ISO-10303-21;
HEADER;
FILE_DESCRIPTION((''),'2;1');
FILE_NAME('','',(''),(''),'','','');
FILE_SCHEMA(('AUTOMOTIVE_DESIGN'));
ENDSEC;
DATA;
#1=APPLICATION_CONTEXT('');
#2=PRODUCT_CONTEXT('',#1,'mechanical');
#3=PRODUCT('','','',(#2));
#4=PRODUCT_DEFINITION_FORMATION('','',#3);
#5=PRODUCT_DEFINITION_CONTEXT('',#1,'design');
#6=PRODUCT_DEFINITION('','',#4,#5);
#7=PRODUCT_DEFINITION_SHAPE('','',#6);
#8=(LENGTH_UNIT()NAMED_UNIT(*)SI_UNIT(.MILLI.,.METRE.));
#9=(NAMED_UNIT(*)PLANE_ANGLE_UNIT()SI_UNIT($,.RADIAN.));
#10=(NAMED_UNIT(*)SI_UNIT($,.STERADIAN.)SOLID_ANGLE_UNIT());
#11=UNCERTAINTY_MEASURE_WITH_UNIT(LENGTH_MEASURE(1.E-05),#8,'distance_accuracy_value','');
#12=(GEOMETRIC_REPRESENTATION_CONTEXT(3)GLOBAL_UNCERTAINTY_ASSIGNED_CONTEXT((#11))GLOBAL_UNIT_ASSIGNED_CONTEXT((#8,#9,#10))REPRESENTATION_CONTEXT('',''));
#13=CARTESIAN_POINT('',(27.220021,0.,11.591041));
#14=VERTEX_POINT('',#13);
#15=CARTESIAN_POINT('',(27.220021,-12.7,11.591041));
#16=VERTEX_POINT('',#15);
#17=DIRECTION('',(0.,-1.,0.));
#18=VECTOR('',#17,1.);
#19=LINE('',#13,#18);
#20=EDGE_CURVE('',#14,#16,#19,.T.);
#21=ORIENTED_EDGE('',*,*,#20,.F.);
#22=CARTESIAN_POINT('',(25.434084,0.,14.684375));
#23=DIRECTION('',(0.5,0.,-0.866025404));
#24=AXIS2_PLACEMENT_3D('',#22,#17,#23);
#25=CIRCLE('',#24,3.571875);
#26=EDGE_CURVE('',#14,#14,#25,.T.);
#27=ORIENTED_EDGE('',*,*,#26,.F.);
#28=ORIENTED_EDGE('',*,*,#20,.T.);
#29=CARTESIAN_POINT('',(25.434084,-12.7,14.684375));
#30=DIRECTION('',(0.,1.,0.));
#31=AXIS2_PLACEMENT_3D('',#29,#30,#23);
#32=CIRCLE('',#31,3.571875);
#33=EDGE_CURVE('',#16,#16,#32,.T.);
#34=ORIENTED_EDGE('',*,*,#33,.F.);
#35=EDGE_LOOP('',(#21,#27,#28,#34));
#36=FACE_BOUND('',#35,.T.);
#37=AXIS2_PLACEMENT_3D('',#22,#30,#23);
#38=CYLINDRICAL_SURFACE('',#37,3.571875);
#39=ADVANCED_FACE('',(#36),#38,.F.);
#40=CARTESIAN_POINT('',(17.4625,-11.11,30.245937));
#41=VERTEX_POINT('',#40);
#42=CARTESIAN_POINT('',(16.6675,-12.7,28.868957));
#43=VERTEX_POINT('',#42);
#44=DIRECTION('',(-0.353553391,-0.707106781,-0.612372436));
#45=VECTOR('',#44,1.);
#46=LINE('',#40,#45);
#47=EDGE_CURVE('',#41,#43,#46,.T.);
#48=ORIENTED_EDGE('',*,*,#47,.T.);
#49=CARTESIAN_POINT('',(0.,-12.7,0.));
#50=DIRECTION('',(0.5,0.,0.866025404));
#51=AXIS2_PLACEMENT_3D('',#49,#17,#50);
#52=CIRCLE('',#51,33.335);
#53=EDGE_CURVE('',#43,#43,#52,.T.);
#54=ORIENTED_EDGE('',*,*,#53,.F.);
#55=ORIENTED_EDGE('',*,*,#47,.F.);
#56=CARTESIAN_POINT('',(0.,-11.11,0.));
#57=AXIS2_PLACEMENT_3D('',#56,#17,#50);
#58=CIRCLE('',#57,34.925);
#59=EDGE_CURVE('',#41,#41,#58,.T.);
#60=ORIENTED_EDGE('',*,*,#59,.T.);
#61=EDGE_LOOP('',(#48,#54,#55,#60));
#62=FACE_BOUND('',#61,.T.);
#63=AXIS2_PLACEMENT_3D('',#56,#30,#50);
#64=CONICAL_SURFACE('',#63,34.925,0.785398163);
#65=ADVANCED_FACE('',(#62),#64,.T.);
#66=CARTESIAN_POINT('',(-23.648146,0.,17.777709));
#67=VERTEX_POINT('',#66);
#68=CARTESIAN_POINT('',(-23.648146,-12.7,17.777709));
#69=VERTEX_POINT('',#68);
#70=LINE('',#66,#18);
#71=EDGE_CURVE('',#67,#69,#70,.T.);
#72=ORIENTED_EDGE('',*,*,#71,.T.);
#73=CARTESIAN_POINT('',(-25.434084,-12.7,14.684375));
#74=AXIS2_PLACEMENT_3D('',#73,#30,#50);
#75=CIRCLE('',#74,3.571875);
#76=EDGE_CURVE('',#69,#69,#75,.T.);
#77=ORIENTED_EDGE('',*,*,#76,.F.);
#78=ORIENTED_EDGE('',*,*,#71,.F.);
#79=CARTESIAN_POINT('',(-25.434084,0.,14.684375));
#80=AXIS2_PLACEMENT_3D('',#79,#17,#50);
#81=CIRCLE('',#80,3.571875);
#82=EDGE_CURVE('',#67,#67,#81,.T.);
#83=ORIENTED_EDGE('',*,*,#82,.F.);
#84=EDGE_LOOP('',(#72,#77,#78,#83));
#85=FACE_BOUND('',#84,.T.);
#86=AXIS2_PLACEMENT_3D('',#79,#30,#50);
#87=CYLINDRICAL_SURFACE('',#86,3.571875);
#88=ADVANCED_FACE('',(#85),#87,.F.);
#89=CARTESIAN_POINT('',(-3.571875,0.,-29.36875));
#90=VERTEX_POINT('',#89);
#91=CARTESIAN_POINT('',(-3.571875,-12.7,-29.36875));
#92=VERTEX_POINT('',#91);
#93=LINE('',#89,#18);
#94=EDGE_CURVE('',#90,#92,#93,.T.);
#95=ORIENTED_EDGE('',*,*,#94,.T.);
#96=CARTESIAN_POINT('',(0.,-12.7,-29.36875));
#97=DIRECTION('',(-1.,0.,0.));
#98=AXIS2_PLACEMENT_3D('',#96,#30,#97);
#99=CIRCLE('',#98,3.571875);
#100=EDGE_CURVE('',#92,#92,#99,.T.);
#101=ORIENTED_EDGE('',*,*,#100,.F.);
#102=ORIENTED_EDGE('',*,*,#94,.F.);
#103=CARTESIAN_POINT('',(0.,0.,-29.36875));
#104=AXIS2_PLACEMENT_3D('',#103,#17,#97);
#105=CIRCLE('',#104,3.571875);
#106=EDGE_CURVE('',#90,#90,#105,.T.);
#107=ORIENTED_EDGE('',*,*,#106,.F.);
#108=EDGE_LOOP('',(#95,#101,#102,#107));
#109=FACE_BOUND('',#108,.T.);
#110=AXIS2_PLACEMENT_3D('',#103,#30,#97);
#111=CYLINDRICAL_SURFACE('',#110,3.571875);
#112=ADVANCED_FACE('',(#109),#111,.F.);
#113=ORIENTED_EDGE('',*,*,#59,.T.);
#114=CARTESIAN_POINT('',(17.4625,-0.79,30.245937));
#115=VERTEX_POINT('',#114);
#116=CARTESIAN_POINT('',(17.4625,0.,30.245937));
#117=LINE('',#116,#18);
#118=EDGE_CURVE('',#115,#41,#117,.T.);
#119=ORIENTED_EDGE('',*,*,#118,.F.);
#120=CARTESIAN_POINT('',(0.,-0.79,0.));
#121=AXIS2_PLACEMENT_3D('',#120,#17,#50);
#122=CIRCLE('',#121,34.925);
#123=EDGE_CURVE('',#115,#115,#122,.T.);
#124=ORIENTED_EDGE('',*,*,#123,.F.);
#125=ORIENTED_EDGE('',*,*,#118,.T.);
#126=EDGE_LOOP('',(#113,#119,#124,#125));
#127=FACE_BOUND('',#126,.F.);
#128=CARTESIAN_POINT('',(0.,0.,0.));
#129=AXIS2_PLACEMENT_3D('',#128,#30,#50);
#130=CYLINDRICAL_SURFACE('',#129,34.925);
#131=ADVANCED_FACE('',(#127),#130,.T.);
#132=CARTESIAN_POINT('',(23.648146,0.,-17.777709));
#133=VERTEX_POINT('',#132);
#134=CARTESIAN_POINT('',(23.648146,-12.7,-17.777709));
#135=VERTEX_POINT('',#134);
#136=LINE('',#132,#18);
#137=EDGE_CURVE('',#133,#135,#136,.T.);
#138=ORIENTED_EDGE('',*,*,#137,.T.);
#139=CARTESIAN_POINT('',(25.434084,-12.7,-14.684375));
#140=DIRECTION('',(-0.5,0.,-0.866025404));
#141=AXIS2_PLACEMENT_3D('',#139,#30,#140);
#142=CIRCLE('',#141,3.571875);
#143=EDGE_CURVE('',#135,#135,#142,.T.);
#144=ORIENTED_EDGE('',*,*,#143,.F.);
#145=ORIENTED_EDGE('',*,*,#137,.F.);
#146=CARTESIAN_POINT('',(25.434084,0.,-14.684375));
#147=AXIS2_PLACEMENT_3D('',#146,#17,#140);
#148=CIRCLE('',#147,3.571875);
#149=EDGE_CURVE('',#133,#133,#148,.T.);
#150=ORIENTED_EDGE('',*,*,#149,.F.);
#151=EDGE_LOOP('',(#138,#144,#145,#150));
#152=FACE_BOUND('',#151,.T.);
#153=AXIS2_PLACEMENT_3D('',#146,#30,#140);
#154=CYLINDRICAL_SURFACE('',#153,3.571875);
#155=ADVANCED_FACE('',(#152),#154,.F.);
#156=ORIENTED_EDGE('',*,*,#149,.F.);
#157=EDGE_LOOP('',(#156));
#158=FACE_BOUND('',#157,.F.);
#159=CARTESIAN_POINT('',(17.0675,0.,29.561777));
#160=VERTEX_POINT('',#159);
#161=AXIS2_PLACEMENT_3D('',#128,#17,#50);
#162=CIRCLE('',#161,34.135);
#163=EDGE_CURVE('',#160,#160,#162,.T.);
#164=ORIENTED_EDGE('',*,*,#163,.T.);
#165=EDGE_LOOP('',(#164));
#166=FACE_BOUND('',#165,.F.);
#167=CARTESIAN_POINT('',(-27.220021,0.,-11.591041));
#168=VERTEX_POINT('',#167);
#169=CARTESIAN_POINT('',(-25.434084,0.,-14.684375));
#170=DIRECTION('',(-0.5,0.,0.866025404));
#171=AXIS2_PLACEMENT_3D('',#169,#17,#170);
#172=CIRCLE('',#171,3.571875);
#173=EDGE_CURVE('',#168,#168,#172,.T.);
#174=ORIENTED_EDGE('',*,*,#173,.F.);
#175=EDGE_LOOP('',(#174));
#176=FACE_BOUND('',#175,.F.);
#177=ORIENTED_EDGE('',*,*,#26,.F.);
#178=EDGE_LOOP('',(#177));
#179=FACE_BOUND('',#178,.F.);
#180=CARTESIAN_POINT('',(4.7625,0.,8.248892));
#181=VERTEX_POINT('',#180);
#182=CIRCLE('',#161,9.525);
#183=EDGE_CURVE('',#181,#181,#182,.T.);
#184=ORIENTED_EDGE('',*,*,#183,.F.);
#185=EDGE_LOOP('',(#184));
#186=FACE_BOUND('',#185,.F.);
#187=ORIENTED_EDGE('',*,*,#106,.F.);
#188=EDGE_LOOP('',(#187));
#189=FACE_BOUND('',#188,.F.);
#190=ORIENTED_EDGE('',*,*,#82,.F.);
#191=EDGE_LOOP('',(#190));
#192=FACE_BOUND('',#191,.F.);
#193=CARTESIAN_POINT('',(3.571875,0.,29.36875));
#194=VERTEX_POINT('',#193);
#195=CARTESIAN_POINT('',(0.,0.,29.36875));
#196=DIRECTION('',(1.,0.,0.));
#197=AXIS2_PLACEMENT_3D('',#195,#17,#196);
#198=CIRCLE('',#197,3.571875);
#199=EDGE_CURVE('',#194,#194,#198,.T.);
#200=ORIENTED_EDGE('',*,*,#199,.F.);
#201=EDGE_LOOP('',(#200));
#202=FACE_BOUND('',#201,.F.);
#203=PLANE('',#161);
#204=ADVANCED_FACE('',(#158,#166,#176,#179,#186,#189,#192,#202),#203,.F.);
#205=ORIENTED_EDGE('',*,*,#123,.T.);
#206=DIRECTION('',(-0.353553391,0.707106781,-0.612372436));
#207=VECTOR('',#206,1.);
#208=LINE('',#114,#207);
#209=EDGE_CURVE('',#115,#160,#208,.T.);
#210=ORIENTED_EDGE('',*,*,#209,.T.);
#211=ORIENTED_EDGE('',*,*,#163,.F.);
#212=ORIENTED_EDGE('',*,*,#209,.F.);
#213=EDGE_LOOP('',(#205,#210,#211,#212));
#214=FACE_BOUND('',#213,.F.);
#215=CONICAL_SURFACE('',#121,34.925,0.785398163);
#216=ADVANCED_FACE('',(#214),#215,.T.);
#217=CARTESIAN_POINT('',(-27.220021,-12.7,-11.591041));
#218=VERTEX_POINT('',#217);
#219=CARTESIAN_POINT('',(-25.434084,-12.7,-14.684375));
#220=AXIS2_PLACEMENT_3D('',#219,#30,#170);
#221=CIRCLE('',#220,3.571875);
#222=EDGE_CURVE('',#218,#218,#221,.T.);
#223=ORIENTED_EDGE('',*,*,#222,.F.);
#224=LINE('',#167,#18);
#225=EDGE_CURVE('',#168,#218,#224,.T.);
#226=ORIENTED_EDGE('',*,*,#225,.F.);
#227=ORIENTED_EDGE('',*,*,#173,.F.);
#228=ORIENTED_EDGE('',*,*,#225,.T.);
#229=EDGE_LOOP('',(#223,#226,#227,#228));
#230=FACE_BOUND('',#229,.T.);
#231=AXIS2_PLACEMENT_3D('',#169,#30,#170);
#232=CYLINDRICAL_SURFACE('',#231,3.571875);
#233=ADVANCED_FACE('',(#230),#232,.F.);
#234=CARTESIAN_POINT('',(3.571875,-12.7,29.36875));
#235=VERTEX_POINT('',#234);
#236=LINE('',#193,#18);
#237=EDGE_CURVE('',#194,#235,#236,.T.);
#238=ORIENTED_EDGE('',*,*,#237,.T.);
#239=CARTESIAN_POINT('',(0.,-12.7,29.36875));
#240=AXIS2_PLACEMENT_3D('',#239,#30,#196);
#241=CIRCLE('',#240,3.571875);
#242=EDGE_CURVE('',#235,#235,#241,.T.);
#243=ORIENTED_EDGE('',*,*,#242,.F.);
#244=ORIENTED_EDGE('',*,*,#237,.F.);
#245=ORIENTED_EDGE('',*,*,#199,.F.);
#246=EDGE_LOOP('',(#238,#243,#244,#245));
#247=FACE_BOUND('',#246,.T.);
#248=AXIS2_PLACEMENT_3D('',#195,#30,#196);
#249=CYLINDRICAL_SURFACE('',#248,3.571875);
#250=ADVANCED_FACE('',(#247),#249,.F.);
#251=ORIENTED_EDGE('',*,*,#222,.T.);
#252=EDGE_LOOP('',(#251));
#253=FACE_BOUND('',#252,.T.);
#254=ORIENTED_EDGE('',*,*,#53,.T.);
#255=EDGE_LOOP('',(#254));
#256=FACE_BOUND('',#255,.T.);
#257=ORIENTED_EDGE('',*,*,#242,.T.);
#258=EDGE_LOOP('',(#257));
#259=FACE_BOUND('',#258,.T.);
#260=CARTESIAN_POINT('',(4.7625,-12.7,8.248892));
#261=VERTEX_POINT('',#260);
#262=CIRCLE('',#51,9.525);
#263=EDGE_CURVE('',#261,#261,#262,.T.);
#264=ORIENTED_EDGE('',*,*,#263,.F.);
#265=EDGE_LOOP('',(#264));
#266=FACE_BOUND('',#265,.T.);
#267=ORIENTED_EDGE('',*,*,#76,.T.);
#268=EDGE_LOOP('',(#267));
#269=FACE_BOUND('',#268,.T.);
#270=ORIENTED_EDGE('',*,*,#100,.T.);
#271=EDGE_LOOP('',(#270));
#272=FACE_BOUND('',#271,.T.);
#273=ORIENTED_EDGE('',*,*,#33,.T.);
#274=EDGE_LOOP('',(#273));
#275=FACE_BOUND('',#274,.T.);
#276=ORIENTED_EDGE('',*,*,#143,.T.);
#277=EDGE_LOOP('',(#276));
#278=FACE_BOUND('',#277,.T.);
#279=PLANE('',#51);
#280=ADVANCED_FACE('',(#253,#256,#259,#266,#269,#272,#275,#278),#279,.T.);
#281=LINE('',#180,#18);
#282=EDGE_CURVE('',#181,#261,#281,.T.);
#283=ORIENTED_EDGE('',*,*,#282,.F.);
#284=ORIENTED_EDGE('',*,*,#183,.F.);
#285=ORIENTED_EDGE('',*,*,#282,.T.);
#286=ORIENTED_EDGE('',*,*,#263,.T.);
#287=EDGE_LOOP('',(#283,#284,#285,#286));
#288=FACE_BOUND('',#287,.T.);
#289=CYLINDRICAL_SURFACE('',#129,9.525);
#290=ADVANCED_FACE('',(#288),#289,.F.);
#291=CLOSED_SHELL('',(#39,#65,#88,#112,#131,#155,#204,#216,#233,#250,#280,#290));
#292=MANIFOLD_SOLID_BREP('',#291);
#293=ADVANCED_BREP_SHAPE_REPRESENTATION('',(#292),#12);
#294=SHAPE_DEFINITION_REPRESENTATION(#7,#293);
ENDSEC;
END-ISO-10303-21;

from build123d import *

# Parameters (mm, degrees)
SKETCH048_R            = 3.571875
PAD048_DEPTH           = 13
SKETCH047_R            = 34.925
SKETCH047_R_2          = 9.525
PAD047_DEPTH           = 12.7
CUT041_PLACEMENT_ANGLE = 60
CUT042_PLACEMENT_ANGLE = 60
CUT043_PLACEMENT_ANGLE = 60
CUT044_PLACEMENT_ANGLE = 60
CUT045_PLACEMENT_ANGLE = 60
CHAMFER005_SIZE        = 1.59
CHAMFER004_SIZE        = 0.79


with BuildPart() as body049:
    # Sketch048 → Pad048 (new body)
    with BuildSketch(Plane.XZ):
        with Locations((0, 29.36875)):
            Circle(SKETCH048_R)
    extrude(amount=PAD048_DEPTH)


with BuildPart() as chamfer004:
    # Sketch047 → Pad047 (new body)
    with BuildSketch(Plane.XZ):
        Circle(SKETCH047_R)
        Circle(SKETCH047_R_2, mode=Mode.SUBTRACT)
    extrude(amount=PAD047_DEPTH)

    # Cut041: cut Body049
    add(body049.part, mode=Mode.SUBTRACT)


with BuildPart() as chamfer004_1:
    # Cut041 placement: moved
    add(chamfer004.part.rotate(Axis((0, 0, 0), (0, 1, 0)), CUT041_PLACEMENT_ANGLE))

    # Cut042: cut Body049
    add(body049.part, mode=Mode.SUBTRACT)


with BuildPart() as chamfer004_2:
    # Cut042 placement: moved
    add(chamfer004_1.part.rotate(Axis((0, 0, 0), (0, 1, 0)), CUT042_PLACEMENT_ANGLE))

    # Cut043: cut Body049
    add(body049.part, mode=Mode.SUBTRACT)


with BuildPart() as chamfer004_3:
    # Cut043 placement: moved
    add(chamfer004_2.part.rotate(Axis((0, 0, 0), (0, 1, 0)), CUT043_PLACEMENT_ANGLE))

    # Cut044: cut Body049
    add(body049.part, mode=Mode.SUBTRACT)


with BuildPart() as chamfer004_4:
    # Cut044 placement: moved
    add(chamfer004_3.part.rotate(Axis((0, 0, 0), (0, 1, 0)), CUT044_PLACEMENT_ANGLE))

    # Cut045: cut Body049
    add(body049.part, mode=Mode.SUBTRACT)


with BuildPart() as chamfer004_5:
    # Cut045 placement: moved
    add(chamfer004_4.part.rotate(Axis((0, 0, 0), (0, 1, 0)), CUT045_PLACEMENT_ANGLE))

    # Cut046: cut Body049
    add(body049.part, mode=Mode.SUBTRACT)

    # Chamfer005
    chamfer005_edges = [chamfer004_5.edges().sort_by_distance(p)[0] for p in [
        (-17.4625, -12.7, -30.245937),
    ]]
    chamfer(chamfer005_edges, length=CHAMFER005_SIZE)

    # Chamfer004
    chamfer004_edges = [chamfer004_5.edges().sort_by_distance(p)[0] for p in [
        (-17.4625, 0, -30.245937),
    ]]
    chamfer(chamfer004_edges, length=CHAMFER004_SIZE)


solid = chamfer004_5.part
